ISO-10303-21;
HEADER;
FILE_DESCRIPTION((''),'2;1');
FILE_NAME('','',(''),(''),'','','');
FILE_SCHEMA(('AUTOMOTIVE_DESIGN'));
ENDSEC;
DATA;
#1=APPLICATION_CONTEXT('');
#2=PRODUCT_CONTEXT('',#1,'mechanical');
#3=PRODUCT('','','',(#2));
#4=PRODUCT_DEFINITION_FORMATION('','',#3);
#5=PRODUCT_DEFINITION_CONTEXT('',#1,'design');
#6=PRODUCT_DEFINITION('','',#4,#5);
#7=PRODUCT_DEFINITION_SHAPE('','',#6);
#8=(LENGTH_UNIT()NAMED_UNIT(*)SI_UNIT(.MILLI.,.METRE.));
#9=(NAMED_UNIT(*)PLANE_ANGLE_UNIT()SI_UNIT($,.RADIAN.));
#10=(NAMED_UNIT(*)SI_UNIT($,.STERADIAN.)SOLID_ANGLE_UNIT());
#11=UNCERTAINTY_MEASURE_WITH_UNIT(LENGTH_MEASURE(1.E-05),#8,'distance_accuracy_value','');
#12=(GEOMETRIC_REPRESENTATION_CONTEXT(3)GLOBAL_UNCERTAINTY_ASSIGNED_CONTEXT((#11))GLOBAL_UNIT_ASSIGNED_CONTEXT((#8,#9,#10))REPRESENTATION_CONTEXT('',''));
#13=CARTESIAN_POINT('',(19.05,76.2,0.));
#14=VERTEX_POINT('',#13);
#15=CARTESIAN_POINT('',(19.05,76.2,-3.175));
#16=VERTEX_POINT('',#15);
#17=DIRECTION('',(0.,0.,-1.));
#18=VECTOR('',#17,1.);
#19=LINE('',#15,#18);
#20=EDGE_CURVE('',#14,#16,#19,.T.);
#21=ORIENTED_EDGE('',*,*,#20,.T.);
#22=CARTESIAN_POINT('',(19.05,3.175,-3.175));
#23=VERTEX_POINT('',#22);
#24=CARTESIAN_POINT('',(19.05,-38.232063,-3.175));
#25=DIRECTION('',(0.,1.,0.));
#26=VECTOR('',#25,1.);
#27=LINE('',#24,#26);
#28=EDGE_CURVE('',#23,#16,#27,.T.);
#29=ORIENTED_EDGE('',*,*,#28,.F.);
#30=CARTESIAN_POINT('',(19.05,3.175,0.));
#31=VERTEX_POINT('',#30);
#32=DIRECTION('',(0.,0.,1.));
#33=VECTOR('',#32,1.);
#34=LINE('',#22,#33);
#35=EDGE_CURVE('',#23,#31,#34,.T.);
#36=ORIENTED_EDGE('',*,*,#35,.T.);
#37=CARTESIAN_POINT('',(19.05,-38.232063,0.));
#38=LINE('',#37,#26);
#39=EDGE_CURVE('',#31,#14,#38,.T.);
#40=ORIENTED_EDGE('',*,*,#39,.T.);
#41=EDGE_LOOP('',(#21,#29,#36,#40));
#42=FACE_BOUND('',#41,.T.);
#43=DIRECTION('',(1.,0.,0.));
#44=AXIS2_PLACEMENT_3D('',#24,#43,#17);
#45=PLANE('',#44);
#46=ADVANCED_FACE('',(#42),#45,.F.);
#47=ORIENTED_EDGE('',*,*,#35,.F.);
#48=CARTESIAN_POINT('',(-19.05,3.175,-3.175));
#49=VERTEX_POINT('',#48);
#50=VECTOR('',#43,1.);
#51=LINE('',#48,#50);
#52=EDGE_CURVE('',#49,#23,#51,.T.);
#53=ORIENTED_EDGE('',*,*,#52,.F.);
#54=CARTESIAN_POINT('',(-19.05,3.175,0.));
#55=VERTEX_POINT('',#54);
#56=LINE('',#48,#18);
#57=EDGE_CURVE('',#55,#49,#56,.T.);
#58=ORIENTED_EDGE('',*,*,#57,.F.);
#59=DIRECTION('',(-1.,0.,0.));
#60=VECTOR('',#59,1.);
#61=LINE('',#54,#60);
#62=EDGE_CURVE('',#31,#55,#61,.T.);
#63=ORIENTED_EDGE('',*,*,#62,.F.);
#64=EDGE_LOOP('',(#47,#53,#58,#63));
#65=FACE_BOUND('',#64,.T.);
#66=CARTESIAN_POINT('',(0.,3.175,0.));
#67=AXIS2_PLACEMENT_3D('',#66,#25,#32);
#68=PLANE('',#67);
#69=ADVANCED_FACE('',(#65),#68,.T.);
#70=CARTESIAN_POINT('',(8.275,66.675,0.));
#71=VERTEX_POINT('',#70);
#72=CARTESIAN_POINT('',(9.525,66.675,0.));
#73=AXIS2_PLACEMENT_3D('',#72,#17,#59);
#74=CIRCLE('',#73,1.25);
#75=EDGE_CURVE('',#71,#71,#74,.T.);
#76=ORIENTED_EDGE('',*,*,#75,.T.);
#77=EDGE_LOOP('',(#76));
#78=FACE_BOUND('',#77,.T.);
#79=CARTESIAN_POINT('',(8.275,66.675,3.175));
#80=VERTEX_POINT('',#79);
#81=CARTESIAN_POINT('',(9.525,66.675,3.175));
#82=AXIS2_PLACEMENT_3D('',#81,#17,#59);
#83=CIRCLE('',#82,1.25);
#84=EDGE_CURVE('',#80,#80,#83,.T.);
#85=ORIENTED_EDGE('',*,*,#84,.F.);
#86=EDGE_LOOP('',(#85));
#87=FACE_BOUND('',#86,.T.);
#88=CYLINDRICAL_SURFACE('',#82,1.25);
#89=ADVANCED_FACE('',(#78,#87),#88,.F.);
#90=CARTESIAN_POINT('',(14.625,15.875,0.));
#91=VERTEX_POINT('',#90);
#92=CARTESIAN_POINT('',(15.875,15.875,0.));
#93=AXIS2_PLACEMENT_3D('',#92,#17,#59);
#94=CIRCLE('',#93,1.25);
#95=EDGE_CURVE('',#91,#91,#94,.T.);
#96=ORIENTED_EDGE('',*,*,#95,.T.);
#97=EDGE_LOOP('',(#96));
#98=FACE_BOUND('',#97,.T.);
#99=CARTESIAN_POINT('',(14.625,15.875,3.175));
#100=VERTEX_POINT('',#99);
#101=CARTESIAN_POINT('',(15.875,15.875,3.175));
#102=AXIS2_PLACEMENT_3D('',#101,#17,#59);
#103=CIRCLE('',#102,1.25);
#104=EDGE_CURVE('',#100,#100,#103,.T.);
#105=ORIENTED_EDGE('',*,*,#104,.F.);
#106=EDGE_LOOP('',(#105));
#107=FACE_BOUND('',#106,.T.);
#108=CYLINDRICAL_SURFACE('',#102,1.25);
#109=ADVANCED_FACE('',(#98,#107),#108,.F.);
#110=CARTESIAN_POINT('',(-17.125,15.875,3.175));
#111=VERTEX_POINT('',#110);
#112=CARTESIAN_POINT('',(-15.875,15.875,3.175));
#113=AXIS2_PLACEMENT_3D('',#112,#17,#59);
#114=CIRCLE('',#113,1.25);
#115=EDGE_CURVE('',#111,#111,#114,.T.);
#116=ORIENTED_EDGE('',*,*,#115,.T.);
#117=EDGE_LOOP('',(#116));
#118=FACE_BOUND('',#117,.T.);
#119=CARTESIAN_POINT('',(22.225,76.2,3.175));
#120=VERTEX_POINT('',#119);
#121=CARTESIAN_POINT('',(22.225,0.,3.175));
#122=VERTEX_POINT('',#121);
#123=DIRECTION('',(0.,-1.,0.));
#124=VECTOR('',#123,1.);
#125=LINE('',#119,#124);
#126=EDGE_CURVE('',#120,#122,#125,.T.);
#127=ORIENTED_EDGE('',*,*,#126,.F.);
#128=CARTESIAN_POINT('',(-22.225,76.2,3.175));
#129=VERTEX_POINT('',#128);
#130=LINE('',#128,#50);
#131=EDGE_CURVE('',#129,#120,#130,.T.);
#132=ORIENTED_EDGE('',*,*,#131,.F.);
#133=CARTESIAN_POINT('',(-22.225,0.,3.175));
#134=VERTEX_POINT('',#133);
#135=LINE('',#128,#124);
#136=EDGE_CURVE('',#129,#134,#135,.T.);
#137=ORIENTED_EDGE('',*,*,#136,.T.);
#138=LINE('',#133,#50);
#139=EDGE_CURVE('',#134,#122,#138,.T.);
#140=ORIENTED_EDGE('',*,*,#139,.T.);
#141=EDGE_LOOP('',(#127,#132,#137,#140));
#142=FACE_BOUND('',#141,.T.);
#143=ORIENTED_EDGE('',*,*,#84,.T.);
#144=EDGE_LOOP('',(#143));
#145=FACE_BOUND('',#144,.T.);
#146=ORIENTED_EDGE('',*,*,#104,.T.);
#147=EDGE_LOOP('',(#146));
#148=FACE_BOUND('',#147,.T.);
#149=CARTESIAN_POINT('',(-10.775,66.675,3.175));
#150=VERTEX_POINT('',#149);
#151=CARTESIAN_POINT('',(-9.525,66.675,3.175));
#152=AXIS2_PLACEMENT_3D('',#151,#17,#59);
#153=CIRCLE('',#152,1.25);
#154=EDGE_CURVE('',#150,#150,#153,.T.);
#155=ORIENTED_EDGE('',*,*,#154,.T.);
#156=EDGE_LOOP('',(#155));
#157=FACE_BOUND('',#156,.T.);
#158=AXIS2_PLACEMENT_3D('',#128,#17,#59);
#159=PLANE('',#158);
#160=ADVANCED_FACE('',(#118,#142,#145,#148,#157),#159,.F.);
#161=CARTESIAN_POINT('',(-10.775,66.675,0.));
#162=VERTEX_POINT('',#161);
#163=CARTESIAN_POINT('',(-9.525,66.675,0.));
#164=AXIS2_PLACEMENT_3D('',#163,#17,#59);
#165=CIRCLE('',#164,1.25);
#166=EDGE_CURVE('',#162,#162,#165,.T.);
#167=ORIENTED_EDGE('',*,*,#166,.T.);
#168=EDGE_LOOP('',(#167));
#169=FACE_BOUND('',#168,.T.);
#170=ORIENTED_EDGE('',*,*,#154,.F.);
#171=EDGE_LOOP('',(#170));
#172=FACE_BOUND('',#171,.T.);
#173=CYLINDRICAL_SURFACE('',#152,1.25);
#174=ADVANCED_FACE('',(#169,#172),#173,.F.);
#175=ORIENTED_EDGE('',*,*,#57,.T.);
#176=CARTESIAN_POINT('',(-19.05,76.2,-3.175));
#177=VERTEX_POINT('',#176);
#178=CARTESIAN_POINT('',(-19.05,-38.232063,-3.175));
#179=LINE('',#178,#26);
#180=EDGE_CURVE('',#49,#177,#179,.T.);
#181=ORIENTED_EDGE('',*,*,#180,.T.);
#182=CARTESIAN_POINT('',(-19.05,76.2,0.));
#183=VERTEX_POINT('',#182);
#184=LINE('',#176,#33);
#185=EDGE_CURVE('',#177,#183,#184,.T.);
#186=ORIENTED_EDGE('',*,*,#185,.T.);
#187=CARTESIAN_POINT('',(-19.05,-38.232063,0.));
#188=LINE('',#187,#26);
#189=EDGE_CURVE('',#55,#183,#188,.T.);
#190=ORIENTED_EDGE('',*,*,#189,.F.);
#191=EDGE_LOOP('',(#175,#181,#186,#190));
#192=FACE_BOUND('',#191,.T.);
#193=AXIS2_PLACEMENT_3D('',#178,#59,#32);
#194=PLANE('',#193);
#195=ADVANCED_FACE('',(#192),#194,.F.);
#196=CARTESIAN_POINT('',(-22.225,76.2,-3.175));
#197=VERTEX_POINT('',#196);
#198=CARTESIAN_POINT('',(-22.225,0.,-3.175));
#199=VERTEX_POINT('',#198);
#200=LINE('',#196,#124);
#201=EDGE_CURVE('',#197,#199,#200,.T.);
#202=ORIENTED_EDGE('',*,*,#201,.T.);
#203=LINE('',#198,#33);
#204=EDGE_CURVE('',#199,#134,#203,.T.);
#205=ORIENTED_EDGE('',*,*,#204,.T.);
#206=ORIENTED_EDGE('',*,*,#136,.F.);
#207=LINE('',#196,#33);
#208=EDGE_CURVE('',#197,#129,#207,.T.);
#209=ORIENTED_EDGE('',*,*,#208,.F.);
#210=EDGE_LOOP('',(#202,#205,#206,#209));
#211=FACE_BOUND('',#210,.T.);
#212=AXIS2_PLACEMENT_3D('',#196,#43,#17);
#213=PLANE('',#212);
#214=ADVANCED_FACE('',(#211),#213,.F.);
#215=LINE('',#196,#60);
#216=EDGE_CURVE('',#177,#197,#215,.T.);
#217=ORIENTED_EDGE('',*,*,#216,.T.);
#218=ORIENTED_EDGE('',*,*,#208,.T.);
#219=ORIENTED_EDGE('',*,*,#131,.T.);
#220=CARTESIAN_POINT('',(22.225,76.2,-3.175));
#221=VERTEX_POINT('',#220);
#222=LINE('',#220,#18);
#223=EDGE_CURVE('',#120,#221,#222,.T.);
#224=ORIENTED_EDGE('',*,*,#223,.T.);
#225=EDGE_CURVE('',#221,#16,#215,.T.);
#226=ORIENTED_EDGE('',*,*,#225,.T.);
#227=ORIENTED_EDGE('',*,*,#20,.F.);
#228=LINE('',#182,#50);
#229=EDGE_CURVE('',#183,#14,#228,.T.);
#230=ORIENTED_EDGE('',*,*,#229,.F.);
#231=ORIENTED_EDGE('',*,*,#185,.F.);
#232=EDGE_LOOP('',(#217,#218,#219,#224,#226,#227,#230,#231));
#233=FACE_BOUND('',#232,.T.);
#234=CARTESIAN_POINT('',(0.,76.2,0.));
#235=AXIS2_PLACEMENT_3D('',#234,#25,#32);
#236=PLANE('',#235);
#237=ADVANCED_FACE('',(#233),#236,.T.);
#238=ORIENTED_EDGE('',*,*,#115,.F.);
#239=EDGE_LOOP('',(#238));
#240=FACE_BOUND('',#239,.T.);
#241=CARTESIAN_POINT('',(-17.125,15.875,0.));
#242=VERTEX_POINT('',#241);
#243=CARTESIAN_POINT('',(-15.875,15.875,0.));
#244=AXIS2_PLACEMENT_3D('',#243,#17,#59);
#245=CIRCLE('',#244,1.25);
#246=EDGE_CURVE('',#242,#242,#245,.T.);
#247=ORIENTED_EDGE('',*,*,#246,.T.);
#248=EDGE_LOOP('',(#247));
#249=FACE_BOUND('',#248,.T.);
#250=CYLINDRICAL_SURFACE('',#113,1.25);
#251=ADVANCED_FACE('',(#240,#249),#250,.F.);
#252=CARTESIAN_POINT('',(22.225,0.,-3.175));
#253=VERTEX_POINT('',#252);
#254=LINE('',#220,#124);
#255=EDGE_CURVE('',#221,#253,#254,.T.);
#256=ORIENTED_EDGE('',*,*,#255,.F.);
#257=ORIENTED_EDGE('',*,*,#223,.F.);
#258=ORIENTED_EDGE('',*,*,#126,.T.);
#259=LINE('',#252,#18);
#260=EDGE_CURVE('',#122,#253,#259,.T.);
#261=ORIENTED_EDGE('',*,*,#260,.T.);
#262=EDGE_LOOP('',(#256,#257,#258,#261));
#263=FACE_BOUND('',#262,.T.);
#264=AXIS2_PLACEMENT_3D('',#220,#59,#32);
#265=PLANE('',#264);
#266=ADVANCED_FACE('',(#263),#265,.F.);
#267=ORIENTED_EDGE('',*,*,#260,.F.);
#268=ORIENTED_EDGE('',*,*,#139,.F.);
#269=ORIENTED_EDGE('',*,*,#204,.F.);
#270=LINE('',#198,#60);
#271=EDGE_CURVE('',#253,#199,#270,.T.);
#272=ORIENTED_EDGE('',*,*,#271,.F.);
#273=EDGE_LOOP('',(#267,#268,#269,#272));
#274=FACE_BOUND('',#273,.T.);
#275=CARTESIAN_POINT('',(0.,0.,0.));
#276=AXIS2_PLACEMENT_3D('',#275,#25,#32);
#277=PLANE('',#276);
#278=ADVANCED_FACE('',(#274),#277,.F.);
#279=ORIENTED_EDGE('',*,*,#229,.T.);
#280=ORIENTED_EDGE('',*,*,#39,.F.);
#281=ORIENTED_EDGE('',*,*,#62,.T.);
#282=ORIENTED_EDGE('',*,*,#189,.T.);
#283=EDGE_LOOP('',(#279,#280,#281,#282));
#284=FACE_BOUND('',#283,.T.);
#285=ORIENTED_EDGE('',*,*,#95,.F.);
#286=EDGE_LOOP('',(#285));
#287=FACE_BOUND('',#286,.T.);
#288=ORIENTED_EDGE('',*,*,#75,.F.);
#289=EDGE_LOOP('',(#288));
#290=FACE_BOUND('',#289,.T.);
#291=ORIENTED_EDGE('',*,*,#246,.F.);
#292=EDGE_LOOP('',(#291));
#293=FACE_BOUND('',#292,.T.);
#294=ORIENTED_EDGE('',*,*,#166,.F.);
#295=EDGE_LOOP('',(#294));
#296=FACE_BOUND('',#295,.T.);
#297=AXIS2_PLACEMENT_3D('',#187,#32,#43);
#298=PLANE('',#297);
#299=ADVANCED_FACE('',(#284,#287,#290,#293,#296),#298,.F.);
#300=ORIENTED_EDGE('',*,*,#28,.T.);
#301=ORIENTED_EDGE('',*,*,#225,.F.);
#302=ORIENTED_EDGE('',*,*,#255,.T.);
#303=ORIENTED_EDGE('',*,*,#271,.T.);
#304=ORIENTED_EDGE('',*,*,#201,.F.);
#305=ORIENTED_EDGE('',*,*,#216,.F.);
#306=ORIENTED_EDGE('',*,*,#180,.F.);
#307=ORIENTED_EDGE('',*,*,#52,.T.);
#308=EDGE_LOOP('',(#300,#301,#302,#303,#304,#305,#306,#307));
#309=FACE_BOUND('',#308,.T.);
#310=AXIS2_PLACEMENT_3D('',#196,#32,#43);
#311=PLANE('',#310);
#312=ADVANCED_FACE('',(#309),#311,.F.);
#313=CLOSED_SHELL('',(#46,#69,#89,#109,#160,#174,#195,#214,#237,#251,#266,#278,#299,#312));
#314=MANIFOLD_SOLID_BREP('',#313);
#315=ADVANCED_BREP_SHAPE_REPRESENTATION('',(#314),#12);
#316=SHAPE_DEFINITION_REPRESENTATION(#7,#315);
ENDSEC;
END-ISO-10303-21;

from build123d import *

# Parameters (mm, degrees)
SKETCH1_W           = 44.45
SKETCH1_H           = 6.35
BOSS_EXTRUDE1_DEPTH = 76.2
SKETCH2_W           = 38.1
SKETCH2_H           = 3.175
CUT_EXTRUDE1_DEPTH  = 73.025
SKETCH4_R           = 1.25
CUT_EXTRUDE2_DEPTH  = 4.175


with BuildPart() as part:
    # Sketch1 → Boss-Extrude1 (new body)
    with BuildSketch(Plane(origin=(0, 0, 0), x_dir=(1, 0, 0), z_dir=(0, 1, 0))):
        Rectangle(SKETCH1_W, SKETCH1_H)
    extrude(amount=BOSS_EXTRUDE1_DEPTH)

    # Sketch2 → Cut-Extrude1 (cut)
    with BuildSketch(Plane(origin=(0, 76.2, 0), x_dir=(1, 0, 0), z_dir=(0, 1, 0))):
        with Locations((0, 1.5875)):
            Rectangle(SKETCH2_W, SKETCH2_H)
    extrude(amount=-CUT_EXTRUDE1_DEPTH, mode=Mode.SUBTRACT)

    # Sketch4 → Cut-Extrude2 (cut, through all)
    with BuildSketch(Plane(origin=(0, 0, 0), x_dir=(-1, 0, 0), z_dir=(0, 0, -1))):
        with Locations((-9.525, 66.675)):
            Circle(SKETCH4_R)
        with Locations((9.525, 66.675)):
            Circle(SKETCH4_R)
        with Locations((-15.875, 15.875)):
            Circle(SKETCH4_R)
        with Locations((15.875, 15.875)):
            Circle(SKETCH4_R)
    extrude(amount=-CUT_EXTRUDE2_DEPTH, mode=Mode.SUBTRACT)


solid = part.part
